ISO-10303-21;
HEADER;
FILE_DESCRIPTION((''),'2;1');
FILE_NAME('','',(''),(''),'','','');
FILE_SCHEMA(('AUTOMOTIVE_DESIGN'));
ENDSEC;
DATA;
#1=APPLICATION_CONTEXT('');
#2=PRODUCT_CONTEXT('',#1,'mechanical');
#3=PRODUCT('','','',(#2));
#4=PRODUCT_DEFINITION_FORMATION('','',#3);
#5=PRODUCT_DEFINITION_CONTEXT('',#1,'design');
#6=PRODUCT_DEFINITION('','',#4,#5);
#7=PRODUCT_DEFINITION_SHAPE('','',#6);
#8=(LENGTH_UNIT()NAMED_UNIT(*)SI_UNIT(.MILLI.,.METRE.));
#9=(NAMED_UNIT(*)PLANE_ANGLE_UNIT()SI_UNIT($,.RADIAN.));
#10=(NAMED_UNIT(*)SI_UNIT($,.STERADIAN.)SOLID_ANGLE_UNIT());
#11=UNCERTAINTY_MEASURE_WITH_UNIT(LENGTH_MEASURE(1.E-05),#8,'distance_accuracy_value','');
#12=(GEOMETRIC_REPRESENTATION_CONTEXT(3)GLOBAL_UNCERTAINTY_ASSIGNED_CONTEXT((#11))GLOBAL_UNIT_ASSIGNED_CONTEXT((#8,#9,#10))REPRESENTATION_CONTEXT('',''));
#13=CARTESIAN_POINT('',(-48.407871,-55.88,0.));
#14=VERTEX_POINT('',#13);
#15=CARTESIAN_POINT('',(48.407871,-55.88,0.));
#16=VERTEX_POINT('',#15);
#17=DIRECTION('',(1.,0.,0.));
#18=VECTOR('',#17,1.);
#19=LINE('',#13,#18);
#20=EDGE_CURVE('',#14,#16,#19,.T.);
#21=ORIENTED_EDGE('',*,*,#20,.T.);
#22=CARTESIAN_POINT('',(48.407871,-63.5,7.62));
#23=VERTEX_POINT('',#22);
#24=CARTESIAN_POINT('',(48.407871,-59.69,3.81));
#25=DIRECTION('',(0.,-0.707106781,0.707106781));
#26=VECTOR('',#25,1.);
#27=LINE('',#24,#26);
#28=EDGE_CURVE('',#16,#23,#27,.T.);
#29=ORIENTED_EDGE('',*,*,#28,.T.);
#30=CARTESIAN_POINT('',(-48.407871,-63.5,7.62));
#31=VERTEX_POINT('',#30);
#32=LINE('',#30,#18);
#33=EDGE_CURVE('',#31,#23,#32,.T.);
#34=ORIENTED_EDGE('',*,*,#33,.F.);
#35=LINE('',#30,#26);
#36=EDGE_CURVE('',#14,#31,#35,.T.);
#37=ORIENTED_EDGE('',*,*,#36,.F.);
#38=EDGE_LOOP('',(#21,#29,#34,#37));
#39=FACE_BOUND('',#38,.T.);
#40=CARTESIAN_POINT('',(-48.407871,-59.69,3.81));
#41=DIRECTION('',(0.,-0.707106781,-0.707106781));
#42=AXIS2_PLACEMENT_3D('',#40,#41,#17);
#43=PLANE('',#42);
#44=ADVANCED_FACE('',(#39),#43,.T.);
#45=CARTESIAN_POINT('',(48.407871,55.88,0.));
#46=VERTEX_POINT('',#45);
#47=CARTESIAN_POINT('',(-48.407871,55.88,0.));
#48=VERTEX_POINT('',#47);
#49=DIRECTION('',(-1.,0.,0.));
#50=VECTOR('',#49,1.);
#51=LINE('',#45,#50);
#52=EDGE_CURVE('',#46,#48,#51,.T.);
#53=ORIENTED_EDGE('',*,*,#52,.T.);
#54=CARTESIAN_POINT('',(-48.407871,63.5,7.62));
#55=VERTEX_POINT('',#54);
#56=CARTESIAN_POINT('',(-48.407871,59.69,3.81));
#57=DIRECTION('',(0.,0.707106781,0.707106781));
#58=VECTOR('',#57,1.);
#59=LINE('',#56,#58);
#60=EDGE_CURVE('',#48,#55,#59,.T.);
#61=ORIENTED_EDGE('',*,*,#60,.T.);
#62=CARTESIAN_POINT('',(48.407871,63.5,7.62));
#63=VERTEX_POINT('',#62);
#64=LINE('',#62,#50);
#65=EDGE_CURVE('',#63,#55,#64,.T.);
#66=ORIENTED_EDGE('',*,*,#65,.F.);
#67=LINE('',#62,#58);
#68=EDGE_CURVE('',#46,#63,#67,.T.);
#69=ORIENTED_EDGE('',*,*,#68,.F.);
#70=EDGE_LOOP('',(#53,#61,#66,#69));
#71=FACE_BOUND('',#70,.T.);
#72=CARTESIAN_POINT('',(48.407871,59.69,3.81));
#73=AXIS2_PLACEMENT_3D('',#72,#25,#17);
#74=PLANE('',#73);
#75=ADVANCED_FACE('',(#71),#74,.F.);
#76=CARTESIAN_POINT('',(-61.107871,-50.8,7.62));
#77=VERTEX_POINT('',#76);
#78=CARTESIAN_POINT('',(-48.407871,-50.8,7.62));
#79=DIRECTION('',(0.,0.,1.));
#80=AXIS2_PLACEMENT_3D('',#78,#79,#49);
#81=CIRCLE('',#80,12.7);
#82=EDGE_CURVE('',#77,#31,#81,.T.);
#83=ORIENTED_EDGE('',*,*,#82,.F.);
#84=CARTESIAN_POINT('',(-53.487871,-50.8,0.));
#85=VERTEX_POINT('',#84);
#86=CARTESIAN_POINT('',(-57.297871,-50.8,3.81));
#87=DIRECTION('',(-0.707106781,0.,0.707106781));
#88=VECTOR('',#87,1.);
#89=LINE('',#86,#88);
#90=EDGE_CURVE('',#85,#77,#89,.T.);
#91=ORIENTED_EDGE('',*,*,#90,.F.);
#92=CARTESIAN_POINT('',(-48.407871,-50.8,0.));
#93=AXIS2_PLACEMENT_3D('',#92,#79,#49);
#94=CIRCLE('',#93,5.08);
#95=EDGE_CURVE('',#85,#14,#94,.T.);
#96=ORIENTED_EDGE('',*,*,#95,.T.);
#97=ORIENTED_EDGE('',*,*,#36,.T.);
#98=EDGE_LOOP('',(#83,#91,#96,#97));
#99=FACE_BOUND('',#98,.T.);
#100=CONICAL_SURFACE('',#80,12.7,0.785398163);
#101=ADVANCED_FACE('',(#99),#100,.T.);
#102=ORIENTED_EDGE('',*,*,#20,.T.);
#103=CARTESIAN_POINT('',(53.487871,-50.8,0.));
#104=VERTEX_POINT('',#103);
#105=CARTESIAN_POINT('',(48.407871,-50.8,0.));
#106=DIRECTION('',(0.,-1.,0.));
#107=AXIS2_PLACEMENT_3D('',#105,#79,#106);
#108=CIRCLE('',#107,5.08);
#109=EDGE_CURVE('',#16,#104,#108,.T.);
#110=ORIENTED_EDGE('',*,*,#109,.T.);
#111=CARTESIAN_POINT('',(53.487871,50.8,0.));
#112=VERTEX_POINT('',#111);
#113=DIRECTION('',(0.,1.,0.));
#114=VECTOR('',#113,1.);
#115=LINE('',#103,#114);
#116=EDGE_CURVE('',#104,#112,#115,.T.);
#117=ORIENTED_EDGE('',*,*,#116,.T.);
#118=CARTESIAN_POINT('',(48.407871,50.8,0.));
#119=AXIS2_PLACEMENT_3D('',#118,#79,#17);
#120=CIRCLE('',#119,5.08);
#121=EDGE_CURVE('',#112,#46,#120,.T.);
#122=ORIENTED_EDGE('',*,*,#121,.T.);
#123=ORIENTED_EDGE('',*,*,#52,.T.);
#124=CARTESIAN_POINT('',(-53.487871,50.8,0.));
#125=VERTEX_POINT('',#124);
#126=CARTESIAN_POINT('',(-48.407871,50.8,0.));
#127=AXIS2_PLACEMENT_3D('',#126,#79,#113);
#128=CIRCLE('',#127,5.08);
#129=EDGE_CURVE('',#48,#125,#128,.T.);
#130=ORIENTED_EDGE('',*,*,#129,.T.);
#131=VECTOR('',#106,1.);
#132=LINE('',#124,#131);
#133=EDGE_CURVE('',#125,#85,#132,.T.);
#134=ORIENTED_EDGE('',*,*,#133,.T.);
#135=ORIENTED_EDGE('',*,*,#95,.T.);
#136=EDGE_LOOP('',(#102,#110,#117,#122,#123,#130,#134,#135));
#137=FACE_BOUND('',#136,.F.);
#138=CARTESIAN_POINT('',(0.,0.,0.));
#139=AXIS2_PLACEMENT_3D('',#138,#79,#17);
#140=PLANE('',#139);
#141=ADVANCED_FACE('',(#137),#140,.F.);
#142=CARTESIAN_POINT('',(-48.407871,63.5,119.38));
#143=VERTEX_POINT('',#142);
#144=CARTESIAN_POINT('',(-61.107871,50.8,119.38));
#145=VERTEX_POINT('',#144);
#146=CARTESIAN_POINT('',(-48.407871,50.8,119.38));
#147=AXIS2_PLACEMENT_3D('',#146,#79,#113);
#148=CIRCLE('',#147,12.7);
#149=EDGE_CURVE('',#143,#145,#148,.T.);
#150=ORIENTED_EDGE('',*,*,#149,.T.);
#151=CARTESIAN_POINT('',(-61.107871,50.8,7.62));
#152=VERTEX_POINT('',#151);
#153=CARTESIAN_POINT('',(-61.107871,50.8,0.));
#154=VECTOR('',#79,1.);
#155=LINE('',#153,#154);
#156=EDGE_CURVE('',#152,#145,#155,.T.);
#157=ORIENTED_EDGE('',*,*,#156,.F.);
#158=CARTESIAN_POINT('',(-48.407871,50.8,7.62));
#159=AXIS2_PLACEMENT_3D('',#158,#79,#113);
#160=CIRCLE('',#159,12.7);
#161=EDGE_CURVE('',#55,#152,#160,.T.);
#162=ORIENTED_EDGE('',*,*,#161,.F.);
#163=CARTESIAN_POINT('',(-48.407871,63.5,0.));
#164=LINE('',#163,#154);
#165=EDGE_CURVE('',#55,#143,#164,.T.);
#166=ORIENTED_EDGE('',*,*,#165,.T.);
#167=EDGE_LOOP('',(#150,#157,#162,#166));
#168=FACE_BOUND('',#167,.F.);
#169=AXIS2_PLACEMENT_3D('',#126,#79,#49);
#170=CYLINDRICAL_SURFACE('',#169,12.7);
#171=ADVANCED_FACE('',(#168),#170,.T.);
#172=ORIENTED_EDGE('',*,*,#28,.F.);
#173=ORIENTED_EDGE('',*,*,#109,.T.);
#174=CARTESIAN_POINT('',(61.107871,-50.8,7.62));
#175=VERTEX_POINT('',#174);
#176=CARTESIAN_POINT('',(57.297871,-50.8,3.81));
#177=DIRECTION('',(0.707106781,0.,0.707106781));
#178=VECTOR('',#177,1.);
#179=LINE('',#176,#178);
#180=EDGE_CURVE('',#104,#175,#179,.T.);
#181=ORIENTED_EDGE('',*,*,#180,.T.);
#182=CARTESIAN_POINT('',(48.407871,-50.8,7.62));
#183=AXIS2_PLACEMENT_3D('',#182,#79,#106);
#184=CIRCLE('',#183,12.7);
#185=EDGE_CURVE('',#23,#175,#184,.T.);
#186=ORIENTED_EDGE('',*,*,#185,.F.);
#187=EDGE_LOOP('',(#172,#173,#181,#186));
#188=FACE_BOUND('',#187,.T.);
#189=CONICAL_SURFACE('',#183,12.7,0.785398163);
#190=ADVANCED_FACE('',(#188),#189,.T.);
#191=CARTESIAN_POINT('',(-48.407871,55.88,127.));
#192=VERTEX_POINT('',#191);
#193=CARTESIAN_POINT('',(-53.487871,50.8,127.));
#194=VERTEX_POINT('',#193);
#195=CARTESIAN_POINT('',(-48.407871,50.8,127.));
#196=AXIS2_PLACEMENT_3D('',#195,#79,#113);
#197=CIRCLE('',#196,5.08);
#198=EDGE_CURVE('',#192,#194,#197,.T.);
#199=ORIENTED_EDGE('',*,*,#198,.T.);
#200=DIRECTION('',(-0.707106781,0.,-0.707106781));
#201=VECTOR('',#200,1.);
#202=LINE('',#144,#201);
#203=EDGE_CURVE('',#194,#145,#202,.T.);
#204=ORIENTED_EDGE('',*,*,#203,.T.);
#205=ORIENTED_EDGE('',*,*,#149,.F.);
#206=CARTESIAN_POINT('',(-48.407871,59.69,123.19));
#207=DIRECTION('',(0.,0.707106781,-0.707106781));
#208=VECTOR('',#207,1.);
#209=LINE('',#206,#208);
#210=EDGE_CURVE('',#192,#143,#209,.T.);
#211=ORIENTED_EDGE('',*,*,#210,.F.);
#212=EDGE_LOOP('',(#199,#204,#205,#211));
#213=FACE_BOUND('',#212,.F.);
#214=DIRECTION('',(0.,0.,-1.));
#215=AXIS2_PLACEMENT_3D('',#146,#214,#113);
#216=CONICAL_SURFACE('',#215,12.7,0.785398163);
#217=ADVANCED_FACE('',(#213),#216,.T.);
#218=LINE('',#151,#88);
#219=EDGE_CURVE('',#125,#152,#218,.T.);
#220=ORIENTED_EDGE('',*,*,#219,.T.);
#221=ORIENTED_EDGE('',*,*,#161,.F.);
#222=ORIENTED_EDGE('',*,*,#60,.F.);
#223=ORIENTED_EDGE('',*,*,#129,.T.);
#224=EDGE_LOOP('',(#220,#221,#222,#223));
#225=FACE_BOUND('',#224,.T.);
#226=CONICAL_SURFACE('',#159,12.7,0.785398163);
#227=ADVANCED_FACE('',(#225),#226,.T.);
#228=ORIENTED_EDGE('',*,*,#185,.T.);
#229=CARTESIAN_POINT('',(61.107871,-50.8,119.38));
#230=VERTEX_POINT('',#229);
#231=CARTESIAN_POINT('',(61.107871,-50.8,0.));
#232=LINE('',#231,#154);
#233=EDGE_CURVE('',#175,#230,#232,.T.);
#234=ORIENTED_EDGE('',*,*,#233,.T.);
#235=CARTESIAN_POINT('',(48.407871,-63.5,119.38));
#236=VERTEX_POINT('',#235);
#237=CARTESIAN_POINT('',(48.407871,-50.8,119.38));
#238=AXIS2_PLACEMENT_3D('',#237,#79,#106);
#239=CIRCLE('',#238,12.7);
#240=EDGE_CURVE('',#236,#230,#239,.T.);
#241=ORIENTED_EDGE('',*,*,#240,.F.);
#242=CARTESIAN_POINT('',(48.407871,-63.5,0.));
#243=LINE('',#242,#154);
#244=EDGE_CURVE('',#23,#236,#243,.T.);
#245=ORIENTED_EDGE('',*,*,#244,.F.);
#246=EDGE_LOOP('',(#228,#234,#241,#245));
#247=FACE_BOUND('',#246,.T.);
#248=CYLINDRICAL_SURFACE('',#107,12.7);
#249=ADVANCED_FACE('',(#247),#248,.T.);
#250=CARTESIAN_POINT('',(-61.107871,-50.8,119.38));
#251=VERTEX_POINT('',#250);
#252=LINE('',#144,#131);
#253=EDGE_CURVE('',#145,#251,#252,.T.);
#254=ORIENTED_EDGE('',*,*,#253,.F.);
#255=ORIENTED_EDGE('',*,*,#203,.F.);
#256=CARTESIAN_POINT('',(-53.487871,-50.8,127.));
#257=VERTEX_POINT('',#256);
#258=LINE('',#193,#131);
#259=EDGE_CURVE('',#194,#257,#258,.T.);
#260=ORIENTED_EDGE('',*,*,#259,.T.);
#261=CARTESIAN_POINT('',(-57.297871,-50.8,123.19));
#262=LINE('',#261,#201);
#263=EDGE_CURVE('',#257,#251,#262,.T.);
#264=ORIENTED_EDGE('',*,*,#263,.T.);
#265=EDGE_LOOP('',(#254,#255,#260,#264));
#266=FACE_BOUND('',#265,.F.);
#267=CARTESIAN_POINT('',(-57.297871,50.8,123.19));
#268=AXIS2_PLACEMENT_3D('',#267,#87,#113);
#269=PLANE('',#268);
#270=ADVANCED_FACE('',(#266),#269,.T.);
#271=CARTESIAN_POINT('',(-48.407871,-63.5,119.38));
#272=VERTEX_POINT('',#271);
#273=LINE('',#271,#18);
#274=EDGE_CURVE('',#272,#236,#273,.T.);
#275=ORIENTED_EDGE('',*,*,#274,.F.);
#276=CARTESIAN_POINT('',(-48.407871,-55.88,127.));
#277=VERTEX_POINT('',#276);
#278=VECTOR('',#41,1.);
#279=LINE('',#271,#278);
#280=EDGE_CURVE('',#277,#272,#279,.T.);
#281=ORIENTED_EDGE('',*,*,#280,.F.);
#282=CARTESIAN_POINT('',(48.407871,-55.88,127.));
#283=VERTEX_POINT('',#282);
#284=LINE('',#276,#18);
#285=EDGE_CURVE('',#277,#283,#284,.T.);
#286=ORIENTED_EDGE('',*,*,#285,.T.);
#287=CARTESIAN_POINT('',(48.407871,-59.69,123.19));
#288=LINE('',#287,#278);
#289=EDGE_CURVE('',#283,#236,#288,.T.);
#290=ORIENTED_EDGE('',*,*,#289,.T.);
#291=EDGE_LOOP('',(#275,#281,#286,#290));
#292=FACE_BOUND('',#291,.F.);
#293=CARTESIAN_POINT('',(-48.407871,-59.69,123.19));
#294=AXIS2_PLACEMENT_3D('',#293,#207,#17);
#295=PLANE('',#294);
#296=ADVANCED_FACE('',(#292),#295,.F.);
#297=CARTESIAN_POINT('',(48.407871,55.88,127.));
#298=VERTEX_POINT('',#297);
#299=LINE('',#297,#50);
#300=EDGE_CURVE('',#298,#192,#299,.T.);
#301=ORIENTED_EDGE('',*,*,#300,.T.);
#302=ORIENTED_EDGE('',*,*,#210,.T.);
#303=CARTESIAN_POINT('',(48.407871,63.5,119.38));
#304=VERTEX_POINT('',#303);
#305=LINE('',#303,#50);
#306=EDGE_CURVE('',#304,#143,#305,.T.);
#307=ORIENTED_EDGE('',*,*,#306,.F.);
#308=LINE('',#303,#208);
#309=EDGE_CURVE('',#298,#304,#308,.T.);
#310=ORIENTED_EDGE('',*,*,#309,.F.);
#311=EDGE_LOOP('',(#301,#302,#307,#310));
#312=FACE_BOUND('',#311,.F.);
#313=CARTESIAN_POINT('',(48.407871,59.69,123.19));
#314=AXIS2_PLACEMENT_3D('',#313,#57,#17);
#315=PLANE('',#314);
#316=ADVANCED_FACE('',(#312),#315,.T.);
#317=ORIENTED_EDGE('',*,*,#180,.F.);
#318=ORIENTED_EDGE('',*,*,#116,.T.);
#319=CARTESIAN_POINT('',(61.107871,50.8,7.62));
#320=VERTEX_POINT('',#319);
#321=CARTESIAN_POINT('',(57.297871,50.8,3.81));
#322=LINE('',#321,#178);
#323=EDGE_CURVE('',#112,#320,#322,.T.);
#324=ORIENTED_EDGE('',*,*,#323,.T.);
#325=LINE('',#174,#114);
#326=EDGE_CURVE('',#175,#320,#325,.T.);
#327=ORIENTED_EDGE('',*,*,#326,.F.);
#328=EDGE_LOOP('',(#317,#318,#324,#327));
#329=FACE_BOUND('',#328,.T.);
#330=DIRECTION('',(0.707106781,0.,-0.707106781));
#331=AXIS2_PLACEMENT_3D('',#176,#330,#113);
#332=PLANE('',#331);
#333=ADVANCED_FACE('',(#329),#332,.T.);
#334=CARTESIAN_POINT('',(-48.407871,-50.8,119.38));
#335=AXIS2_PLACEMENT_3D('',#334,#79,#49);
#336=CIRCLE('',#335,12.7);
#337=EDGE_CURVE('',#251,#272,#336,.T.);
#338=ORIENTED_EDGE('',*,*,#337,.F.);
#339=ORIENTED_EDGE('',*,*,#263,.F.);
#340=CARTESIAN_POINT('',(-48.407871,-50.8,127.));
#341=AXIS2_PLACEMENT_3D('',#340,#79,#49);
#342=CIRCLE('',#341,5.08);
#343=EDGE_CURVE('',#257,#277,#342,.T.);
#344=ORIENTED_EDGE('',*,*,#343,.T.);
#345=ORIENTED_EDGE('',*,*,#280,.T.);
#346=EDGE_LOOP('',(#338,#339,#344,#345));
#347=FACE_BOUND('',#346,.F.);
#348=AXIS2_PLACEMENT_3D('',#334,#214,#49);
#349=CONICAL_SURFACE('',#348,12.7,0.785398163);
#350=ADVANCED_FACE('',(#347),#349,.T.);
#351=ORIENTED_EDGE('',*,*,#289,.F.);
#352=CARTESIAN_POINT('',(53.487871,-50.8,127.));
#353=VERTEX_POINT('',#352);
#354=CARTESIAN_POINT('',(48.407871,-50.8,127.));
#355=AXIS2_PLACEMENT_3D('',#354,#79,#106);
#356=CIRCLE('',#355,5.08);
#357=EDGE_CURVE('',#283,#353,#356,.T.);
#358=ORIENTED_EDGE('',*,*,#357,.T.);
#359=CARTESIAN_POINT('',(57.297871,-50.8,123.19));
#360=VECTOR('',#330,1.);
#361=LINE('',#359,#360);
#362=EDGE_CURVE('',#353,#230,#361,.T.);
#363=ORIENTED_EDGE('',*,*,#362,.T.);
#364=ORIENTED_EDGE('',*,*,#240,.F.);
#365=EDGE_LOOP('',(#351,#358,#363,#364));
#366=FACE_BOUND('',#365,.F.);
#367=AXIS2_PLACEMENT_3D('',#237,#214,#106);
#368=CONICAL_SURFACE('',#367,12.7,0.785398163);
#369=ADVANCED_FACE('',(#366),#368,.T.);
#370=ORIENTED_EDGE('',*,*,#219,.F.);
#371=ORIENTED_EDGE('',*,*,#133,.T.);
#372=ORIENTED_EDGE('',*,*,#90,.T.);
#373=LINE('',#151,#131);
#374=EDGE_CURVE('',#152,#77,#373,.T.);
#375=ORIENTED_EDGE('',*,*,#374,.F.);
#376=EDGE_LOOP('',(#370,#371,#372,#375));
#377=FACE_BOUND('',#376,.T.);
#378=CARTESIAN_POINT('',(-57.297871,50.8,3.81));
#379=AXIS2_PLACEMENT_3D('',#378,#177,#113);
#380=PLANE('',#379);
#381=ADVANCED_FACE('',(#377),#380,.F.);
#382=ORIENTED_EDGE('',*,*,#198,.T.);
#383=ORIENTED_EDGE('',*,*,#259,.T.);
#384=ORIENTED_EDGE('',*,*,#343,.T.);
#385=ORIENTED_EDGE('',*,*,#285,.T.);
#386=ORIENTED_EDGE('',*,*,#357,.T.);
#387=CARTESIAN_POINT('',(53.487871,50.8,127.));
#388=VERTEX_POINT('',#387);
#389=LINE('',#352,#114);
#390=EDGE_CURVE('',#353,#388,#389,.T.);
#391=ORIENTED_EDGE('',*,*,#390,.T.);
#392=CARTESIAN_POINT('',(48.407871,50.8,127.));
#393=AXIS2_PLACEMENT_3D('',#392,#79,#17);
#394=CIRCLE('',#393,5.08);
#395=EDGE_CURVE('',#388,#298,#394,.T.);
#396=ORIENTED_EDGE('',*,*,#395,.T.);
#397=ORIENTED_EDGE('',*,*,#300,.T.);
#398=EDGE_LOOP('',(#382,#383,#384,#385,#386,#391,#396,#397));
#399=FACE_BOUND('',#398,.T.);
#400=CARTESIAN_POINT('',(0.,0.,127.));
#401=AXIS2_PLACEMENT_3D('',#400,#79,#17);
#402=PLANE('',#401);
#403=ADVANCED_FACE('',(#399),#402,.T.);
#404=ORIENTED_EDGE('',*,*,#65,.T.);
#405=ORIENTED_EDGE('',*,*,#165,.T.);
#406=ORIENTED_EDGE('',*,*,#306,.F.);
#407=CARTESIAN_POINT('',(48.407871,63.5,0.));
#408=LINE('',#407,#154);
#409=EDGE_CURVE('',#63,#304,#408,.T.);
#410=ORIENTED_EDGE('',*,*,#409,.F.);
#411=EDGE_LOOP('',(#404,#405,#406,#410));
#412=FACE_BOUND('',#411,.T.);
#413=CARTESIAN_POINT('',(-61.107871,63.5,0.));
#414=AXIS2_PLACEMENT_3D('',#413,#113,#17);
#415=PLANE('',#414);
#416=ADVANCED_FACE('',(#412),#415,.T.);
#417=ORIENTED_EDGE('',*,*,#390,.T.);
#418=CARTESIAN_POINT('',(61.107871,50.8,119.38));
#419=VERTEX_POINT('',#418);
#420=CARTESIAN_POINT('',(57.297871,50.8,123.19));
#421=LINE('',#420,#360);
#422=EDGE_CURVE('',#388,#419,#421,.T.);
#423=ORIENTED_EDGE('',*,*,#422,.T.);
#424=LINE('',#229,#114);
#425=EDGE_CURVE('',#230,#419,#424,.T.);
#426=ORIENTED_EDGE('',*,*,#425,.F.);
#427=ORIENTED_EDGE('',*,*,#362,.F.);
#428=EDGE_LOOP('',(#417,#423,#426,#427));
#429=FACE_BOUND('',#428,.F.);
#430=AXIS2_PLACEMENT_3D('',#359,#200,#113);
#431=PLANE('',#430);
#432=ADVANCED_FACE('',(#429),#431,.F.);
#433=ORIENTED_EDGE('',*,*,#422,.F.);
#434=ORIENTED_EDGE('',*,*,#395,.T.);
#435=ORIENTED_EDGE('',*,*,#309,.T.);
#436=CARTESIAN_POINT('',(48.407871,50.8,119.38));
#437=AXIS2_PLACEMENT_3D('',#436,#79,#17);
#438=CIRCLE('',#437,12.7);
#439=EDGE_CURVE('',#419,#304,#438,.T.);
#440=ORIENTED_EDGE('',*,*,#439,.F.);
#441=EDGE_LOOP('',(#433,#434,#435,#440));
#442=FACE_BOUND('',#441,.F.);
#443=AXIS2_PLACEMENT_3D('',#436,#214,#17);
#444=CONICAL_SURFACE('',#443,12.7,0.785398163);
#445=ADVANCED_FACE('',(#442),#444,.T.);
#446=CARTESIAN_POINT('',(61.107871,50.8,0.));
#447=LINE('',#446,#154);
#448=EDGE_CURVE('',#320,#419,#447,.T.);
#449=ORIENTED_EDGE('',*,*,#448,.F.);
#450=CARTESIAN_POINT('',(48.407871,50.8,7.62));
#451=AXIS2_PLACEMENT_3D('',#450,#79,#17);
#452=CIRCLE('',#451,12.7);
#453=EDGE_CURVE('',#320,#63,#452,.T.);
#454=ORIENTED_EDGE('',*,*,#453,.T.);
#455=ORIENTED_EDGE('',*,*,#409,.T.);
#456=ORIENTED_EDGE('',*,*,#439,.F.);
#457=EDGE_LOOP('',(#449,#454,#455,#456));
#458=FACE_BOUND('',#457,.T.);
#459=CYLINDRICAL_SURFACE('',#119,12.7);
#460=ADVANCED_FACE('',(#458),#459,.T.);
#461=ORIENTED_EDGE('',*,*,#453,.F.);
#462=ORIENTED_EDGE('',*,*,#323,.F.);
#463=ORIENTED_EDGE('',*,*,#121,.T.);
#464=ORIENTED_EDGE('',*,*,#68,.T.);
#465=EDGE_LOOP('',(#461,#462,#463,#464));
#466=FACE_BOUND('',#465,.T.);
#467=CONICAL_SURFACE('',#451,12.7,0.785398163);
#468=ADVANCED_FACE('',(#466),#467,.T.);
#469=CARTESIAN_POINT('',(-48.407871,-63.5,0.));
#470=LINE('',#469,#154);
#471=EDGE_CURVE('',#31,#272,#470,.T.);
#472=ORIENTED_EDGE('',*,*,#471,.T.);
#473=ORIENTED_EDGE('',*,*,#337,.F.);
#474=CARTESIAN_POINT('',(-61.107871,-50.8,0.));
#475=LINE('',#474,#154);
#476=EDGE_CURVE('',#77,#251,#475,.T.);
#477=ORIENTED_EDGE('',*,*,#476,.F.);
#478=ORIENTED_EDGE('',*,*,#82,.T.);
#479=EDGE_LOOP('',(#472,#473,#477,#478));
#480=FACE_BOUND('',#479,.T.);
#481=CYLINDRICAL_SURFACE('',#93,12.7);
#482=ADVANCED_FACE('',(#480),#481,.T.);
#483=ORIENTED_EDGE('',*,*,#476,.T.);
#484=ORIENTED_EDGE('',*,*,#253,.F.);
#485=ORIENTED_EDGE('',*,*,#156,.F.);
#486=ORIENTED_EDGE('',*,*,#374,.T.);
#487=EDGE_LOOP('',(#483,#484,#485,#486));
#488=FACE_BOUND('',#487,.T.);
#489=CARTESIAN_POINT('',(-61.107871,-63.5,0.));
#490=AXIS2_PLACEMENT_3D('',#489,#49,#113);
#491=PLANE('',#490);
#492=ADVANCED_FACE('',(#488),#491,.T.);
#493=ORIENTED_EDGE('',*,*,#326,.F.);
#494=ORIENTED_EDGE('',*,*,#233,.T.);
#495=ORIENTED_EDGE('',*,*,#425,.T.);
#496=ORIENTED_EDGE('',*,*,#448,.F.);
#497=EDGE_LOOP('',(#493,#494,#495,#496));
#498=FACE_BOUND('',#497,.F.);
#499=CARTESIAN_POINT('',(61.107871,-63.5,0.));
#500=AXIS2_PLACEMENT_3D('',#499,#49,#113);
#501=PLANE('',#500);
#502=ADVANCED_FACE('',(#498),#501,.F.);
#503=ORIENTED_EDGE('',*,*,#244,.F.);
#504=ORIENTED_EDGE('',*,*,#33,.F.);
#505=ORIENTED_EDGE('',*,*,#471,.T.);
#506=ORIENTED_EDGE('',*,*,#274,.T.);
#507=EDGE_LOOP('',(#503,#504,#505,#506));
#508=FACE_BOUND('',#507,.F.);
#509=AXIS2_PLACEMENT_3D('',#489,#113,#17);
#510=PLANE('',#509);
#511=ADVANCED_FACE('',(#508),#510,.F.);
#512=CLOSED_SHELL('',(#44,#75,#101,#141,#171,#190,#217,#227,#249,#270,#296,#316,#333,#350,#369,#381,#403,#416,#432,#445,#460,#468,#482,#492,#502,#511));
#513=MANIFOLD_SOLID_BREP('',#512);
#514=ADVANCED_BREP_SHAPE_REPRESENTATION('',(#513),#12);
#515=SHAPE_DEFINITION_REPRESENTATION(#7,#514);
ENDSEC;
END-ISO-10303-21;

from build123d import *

# Parameters (mm, degrees)
F0_W     = 122.215742
F0_H     = 127
F1_DEPTH = 127
F2_R     = 12.7
F3_SIZE  = 7.62


with BuildPart() as f1:
    # F0 (on Top) → F1 (new body)
    with BuildSketch(Plane.XY):
        Rectangle(F0_W, F0_H)
    extrude(amount=F1_DEPTH)

    # F2
    f2_edges = [f1.edges().sort_by_distance(p)[0] for p in [
        (61.107871, 63.5, 63.5),
        (61.107871, -63.5, 63.5),
        (-61.107871, -63.5, 63.5),
        (-61.107871, 63.5, 63.5),
    ]]
    fillet(f2_edges, radius=F2_R)

    # F3
    f3_edges = [f1.edges().sort_by_distance(p)[0] for p in [
        (61.107871, 0, 127),
        (61.107871, 0, 0),
    ]]
    chamfer(f3_edges, length=F3_SIZE)


solid = f1.part
